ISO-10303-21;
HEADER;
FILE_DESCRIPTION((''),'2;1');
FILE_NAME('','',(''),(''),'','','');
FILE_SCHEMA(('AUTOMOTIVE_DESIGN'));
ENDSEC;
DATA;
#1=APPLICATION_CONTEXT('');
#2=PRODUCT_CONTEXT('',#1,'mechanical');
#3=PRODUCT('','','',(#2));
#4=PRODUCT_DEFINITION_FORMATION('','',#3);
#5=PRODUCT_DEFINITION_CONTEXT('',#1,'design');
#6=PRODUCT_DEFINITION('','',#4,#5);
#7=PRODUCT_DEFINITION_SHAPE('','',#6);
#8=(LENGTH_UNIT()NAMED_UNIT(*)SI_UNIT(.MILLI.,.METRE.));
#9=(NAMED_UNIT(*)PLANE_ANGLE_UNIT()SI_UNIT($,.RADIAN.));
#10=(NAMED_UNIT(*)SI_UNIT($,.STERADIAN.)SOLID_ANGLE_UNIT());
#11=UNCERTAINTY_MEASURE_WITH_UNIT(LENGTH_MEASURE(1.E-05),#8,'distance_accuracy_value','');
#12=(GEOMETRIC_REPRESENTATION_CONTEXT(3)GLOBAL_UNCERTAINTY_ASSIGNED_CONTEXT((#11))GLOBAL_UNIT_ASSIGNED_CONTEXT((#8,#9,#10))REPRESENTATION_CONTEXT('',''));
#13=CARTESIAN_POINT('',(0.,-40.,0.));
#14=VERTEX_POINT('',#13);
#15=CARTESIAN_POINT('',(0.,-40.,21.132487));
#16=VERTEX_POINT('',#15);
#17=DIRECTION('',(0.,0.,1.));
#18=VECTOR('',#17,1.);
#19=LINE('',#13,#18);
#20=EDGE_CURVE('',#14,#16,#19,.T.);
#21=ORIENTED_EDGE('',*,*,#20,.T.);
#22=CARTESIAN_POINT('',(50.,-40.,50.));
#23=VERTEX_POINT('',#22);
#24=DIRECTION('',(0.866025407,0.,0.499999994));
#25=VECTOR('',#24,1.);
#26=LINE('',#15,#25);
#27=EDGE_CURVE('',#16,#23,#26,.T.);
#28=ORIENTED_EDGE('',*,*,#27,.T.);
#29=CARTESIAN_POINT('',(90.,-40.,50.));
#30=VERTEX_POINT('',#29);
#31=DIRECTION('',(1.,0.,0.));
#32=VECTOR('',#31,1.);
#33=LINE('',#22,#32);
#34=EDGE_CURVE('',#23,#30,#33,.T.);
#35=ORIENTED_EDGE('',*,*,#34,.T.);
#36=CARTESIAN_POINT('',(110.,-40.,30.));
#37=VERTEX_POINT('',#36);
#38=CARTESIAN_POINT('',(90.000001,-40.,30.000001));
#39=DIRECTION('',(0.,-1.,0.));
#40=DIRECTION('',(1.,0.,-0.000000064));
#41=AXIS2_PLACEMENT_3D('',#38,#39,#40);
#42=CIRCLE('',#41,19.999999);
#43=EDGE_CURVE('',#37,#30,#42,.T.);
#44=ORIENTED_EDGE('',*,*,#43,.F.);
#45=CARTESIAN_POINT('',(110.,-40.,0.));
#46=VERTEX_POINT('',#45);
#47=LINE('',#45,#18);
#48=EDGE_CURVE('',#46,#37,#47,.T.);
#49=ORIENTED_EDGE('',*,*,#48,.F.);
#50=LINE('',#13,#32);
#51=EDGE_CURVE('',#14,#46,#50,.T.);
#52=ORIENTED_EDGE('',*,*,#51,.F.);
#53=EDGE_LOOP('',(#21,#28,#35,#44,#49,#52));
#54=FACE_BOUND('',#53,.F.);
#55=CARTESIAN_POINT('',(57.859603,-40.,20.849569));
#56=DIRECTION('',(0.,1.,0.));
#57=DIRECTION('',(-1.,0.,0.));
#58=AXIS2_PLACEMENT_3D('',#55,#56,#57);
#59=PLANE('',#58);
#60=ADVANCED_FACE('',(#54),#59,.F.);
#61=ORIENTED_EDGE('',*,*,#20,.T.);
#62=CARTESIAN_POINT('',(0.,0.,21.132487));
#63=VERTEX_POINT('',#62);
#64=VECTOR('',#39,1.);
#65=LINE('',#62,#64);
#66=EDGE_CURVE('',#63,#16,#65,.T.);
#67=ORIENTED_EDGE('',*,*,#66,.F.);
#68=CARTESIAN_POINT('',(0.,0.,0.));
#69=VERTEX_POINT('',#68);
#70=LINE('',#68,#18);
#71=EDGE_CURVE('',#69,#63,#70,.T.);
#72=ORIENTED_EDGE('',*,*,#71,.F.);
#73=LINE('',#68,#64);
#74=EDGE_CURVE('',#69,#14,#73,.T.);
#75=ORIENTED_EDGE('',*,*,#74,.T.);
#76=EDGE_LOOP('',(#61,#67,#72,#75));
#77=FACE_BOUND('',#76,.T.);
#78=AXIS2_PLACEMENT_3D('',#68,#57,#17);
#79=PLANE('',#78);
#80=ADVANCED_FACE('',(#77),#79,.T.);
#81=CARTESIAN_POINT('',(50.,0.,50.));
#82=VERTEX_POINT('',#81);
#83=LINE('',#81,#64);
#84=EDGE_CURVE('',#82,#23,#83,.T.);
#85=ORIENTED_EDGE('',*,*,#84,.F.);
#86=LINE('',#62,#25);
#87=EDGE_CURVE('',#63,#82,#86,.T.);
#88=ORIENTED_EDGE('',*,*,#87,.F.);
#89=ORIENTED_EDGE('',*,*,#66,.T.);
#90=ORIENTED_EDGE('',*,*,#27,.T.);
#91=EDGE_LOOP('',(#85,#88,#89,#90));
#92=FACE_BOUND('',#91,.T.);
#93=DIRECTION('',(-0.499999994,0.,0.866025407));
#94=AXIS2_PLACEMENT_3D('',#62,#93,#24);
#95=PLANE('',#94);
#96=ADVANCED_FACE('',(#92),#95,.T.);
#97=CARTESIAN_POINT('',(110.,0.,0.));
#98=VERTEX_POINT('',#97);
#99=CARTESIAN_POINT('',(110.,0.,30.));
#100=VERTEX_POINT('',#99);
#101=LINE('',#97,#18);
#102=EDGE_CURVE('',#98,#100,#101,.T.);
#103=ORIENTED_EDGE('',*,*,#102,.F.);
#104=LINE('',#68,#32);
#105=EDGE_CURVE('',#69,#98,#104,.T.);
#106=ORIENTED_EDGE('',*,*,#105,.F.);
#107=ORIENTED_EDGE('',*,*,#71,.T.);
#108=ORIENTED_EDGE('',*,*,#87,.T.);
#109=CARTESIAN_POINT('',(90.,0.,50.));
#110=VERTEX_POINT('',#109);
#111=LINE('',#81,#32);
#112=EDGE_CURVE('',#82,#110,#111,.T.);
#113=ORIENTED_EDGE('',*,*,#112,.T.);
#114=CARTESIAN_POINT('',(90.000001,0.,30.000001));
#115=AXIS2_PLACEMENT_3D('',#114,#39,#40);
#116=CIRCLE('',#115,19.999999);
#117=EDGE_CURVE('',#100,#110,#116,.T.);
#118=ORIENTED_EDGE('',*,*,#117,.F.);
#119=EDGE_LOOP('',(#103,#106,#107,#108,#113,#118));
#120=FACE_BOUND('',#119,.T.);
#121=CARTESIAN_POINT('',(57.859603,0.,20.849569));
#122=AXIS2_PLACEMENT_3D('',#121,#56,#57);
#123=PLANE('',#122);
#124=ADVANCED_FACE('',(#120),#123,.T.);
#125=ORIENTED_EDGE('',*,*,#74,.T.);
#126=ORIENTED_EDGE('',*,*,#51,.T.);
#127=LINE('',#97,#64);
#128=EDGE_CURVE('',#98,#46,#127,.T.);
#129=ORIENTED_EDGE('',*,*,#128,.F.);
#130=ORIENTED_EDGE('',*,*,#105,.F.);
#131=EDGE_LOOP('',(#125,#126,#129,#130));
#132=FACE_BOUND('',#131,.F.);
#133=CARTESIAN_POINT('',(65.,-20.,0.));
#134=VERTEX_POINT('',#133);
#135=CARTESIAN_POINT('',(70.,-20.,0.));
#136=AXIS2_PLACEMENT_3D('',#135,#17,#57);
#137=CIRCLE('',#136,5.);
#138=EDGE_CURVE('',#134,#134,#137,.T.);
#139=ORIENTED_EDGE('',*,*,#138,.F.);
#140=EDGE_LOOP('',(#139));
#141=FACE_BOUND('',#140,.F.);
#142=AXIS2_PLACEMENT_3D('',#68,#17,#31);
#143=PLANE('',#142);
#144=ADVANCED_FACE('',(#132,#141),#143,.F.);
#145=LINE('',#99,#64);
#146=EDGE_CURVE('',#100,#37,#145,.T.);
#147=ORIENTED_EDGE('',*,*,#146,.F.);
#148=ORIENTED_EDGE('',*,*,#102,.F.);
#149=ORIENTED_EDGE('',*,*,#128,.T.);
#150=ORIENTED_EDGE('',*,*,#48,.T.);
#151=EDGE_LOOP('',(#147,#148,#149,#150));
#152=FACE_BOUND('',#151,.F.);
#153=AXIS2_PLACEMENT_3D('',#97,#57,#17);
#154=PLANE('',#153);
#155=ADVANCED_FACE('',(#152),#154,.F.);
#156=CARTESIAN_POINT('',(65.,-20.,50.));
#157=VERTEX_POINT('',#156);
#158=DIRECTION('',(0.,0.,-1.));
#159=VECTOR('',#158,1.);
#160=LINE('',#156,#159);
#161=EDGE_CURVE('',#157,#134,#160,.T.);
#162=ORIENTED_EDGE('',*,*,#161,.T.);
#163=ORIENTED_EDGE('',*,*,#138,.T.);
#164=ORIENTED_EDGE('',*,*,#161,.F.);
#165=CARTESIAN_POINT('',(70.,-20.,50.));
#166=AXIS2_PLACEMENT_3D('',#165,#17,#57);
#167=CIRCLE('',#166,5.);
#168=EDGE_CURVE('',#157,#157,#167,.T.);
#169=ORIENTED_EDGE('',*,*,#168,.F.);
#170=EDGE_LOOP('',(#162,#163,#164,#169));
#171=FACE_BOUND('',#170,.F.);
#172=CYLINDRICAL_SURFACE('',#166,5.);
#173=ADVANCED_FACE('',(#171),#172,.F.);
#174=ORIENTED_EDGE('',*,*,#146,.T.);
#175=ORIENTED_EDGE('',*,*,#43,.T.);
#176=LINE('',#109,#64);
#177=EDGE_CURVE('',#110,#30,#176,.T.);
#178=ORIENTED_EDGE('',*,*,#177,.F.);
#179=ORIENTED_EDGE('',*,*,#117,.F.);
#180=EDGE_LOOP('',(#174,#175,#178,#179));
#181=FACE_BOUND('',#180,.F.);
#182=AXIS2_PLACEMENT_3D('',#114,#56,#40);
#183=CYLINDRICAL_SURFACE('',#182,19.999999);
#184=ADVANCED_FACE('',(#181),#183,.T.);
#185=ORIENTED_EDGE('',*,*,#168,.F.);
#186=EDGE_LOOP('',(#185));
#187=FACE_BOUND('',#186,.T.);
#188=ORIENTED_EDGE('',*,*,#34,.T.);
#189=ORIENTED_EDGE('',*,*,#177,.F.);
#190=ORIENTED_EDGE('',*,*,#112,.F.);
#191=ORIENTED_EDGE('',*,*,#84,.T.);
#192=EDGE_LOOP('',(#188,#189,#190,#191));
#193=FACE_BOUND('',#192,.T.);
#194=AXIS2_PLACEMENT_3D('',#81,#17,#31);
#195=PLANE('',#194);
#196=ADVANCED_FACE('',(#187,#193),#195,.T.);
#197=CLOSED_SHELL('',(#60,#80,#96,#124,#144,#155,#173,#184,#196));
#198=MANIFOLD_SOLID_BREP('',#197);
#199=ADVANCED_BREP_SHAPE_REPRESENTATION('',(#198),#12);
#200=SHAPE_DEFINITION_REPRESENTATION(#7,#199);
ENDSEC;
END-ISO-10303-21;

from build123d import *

# Parameters (mm, degrees)
PAD_DEPTH    = 40
SKETCH001_R  = 5
POCKET_DEPTH = 50.001


with BuildPart() as part:
    # Sketch → Pad (new body)
    with BuildSketch(Plane.XZ):
        with BuildLine():
            Line((0, 0), (0, 21.132487))
            Line((0, 21.132487), (50, 50))
            Line((50, 50), (90, 50))
            ThreePointArc((110, 30), (104.142136, 44.142136), (90, 50))
            Line((110, 0), (110, 30))
            Line((0, 0), (110, 0))
        make_face()
    extrude(amount=PAD_DEPTH)

    # Sketch001 (on Face3 of Pad) → Pocket (cut, through all)
    with BuildSketch(Plane(origin=(0, 0, 50), x_dir=(-1, 0, 0), z_dir=(0, 0, 1))):
        with Locations((-70, 20)):
            Circle(SKETCH001_R)
    extrude(amount=-POCKET_DEPTH, mode=Mode.SUBTRACT)


solid = part.part
